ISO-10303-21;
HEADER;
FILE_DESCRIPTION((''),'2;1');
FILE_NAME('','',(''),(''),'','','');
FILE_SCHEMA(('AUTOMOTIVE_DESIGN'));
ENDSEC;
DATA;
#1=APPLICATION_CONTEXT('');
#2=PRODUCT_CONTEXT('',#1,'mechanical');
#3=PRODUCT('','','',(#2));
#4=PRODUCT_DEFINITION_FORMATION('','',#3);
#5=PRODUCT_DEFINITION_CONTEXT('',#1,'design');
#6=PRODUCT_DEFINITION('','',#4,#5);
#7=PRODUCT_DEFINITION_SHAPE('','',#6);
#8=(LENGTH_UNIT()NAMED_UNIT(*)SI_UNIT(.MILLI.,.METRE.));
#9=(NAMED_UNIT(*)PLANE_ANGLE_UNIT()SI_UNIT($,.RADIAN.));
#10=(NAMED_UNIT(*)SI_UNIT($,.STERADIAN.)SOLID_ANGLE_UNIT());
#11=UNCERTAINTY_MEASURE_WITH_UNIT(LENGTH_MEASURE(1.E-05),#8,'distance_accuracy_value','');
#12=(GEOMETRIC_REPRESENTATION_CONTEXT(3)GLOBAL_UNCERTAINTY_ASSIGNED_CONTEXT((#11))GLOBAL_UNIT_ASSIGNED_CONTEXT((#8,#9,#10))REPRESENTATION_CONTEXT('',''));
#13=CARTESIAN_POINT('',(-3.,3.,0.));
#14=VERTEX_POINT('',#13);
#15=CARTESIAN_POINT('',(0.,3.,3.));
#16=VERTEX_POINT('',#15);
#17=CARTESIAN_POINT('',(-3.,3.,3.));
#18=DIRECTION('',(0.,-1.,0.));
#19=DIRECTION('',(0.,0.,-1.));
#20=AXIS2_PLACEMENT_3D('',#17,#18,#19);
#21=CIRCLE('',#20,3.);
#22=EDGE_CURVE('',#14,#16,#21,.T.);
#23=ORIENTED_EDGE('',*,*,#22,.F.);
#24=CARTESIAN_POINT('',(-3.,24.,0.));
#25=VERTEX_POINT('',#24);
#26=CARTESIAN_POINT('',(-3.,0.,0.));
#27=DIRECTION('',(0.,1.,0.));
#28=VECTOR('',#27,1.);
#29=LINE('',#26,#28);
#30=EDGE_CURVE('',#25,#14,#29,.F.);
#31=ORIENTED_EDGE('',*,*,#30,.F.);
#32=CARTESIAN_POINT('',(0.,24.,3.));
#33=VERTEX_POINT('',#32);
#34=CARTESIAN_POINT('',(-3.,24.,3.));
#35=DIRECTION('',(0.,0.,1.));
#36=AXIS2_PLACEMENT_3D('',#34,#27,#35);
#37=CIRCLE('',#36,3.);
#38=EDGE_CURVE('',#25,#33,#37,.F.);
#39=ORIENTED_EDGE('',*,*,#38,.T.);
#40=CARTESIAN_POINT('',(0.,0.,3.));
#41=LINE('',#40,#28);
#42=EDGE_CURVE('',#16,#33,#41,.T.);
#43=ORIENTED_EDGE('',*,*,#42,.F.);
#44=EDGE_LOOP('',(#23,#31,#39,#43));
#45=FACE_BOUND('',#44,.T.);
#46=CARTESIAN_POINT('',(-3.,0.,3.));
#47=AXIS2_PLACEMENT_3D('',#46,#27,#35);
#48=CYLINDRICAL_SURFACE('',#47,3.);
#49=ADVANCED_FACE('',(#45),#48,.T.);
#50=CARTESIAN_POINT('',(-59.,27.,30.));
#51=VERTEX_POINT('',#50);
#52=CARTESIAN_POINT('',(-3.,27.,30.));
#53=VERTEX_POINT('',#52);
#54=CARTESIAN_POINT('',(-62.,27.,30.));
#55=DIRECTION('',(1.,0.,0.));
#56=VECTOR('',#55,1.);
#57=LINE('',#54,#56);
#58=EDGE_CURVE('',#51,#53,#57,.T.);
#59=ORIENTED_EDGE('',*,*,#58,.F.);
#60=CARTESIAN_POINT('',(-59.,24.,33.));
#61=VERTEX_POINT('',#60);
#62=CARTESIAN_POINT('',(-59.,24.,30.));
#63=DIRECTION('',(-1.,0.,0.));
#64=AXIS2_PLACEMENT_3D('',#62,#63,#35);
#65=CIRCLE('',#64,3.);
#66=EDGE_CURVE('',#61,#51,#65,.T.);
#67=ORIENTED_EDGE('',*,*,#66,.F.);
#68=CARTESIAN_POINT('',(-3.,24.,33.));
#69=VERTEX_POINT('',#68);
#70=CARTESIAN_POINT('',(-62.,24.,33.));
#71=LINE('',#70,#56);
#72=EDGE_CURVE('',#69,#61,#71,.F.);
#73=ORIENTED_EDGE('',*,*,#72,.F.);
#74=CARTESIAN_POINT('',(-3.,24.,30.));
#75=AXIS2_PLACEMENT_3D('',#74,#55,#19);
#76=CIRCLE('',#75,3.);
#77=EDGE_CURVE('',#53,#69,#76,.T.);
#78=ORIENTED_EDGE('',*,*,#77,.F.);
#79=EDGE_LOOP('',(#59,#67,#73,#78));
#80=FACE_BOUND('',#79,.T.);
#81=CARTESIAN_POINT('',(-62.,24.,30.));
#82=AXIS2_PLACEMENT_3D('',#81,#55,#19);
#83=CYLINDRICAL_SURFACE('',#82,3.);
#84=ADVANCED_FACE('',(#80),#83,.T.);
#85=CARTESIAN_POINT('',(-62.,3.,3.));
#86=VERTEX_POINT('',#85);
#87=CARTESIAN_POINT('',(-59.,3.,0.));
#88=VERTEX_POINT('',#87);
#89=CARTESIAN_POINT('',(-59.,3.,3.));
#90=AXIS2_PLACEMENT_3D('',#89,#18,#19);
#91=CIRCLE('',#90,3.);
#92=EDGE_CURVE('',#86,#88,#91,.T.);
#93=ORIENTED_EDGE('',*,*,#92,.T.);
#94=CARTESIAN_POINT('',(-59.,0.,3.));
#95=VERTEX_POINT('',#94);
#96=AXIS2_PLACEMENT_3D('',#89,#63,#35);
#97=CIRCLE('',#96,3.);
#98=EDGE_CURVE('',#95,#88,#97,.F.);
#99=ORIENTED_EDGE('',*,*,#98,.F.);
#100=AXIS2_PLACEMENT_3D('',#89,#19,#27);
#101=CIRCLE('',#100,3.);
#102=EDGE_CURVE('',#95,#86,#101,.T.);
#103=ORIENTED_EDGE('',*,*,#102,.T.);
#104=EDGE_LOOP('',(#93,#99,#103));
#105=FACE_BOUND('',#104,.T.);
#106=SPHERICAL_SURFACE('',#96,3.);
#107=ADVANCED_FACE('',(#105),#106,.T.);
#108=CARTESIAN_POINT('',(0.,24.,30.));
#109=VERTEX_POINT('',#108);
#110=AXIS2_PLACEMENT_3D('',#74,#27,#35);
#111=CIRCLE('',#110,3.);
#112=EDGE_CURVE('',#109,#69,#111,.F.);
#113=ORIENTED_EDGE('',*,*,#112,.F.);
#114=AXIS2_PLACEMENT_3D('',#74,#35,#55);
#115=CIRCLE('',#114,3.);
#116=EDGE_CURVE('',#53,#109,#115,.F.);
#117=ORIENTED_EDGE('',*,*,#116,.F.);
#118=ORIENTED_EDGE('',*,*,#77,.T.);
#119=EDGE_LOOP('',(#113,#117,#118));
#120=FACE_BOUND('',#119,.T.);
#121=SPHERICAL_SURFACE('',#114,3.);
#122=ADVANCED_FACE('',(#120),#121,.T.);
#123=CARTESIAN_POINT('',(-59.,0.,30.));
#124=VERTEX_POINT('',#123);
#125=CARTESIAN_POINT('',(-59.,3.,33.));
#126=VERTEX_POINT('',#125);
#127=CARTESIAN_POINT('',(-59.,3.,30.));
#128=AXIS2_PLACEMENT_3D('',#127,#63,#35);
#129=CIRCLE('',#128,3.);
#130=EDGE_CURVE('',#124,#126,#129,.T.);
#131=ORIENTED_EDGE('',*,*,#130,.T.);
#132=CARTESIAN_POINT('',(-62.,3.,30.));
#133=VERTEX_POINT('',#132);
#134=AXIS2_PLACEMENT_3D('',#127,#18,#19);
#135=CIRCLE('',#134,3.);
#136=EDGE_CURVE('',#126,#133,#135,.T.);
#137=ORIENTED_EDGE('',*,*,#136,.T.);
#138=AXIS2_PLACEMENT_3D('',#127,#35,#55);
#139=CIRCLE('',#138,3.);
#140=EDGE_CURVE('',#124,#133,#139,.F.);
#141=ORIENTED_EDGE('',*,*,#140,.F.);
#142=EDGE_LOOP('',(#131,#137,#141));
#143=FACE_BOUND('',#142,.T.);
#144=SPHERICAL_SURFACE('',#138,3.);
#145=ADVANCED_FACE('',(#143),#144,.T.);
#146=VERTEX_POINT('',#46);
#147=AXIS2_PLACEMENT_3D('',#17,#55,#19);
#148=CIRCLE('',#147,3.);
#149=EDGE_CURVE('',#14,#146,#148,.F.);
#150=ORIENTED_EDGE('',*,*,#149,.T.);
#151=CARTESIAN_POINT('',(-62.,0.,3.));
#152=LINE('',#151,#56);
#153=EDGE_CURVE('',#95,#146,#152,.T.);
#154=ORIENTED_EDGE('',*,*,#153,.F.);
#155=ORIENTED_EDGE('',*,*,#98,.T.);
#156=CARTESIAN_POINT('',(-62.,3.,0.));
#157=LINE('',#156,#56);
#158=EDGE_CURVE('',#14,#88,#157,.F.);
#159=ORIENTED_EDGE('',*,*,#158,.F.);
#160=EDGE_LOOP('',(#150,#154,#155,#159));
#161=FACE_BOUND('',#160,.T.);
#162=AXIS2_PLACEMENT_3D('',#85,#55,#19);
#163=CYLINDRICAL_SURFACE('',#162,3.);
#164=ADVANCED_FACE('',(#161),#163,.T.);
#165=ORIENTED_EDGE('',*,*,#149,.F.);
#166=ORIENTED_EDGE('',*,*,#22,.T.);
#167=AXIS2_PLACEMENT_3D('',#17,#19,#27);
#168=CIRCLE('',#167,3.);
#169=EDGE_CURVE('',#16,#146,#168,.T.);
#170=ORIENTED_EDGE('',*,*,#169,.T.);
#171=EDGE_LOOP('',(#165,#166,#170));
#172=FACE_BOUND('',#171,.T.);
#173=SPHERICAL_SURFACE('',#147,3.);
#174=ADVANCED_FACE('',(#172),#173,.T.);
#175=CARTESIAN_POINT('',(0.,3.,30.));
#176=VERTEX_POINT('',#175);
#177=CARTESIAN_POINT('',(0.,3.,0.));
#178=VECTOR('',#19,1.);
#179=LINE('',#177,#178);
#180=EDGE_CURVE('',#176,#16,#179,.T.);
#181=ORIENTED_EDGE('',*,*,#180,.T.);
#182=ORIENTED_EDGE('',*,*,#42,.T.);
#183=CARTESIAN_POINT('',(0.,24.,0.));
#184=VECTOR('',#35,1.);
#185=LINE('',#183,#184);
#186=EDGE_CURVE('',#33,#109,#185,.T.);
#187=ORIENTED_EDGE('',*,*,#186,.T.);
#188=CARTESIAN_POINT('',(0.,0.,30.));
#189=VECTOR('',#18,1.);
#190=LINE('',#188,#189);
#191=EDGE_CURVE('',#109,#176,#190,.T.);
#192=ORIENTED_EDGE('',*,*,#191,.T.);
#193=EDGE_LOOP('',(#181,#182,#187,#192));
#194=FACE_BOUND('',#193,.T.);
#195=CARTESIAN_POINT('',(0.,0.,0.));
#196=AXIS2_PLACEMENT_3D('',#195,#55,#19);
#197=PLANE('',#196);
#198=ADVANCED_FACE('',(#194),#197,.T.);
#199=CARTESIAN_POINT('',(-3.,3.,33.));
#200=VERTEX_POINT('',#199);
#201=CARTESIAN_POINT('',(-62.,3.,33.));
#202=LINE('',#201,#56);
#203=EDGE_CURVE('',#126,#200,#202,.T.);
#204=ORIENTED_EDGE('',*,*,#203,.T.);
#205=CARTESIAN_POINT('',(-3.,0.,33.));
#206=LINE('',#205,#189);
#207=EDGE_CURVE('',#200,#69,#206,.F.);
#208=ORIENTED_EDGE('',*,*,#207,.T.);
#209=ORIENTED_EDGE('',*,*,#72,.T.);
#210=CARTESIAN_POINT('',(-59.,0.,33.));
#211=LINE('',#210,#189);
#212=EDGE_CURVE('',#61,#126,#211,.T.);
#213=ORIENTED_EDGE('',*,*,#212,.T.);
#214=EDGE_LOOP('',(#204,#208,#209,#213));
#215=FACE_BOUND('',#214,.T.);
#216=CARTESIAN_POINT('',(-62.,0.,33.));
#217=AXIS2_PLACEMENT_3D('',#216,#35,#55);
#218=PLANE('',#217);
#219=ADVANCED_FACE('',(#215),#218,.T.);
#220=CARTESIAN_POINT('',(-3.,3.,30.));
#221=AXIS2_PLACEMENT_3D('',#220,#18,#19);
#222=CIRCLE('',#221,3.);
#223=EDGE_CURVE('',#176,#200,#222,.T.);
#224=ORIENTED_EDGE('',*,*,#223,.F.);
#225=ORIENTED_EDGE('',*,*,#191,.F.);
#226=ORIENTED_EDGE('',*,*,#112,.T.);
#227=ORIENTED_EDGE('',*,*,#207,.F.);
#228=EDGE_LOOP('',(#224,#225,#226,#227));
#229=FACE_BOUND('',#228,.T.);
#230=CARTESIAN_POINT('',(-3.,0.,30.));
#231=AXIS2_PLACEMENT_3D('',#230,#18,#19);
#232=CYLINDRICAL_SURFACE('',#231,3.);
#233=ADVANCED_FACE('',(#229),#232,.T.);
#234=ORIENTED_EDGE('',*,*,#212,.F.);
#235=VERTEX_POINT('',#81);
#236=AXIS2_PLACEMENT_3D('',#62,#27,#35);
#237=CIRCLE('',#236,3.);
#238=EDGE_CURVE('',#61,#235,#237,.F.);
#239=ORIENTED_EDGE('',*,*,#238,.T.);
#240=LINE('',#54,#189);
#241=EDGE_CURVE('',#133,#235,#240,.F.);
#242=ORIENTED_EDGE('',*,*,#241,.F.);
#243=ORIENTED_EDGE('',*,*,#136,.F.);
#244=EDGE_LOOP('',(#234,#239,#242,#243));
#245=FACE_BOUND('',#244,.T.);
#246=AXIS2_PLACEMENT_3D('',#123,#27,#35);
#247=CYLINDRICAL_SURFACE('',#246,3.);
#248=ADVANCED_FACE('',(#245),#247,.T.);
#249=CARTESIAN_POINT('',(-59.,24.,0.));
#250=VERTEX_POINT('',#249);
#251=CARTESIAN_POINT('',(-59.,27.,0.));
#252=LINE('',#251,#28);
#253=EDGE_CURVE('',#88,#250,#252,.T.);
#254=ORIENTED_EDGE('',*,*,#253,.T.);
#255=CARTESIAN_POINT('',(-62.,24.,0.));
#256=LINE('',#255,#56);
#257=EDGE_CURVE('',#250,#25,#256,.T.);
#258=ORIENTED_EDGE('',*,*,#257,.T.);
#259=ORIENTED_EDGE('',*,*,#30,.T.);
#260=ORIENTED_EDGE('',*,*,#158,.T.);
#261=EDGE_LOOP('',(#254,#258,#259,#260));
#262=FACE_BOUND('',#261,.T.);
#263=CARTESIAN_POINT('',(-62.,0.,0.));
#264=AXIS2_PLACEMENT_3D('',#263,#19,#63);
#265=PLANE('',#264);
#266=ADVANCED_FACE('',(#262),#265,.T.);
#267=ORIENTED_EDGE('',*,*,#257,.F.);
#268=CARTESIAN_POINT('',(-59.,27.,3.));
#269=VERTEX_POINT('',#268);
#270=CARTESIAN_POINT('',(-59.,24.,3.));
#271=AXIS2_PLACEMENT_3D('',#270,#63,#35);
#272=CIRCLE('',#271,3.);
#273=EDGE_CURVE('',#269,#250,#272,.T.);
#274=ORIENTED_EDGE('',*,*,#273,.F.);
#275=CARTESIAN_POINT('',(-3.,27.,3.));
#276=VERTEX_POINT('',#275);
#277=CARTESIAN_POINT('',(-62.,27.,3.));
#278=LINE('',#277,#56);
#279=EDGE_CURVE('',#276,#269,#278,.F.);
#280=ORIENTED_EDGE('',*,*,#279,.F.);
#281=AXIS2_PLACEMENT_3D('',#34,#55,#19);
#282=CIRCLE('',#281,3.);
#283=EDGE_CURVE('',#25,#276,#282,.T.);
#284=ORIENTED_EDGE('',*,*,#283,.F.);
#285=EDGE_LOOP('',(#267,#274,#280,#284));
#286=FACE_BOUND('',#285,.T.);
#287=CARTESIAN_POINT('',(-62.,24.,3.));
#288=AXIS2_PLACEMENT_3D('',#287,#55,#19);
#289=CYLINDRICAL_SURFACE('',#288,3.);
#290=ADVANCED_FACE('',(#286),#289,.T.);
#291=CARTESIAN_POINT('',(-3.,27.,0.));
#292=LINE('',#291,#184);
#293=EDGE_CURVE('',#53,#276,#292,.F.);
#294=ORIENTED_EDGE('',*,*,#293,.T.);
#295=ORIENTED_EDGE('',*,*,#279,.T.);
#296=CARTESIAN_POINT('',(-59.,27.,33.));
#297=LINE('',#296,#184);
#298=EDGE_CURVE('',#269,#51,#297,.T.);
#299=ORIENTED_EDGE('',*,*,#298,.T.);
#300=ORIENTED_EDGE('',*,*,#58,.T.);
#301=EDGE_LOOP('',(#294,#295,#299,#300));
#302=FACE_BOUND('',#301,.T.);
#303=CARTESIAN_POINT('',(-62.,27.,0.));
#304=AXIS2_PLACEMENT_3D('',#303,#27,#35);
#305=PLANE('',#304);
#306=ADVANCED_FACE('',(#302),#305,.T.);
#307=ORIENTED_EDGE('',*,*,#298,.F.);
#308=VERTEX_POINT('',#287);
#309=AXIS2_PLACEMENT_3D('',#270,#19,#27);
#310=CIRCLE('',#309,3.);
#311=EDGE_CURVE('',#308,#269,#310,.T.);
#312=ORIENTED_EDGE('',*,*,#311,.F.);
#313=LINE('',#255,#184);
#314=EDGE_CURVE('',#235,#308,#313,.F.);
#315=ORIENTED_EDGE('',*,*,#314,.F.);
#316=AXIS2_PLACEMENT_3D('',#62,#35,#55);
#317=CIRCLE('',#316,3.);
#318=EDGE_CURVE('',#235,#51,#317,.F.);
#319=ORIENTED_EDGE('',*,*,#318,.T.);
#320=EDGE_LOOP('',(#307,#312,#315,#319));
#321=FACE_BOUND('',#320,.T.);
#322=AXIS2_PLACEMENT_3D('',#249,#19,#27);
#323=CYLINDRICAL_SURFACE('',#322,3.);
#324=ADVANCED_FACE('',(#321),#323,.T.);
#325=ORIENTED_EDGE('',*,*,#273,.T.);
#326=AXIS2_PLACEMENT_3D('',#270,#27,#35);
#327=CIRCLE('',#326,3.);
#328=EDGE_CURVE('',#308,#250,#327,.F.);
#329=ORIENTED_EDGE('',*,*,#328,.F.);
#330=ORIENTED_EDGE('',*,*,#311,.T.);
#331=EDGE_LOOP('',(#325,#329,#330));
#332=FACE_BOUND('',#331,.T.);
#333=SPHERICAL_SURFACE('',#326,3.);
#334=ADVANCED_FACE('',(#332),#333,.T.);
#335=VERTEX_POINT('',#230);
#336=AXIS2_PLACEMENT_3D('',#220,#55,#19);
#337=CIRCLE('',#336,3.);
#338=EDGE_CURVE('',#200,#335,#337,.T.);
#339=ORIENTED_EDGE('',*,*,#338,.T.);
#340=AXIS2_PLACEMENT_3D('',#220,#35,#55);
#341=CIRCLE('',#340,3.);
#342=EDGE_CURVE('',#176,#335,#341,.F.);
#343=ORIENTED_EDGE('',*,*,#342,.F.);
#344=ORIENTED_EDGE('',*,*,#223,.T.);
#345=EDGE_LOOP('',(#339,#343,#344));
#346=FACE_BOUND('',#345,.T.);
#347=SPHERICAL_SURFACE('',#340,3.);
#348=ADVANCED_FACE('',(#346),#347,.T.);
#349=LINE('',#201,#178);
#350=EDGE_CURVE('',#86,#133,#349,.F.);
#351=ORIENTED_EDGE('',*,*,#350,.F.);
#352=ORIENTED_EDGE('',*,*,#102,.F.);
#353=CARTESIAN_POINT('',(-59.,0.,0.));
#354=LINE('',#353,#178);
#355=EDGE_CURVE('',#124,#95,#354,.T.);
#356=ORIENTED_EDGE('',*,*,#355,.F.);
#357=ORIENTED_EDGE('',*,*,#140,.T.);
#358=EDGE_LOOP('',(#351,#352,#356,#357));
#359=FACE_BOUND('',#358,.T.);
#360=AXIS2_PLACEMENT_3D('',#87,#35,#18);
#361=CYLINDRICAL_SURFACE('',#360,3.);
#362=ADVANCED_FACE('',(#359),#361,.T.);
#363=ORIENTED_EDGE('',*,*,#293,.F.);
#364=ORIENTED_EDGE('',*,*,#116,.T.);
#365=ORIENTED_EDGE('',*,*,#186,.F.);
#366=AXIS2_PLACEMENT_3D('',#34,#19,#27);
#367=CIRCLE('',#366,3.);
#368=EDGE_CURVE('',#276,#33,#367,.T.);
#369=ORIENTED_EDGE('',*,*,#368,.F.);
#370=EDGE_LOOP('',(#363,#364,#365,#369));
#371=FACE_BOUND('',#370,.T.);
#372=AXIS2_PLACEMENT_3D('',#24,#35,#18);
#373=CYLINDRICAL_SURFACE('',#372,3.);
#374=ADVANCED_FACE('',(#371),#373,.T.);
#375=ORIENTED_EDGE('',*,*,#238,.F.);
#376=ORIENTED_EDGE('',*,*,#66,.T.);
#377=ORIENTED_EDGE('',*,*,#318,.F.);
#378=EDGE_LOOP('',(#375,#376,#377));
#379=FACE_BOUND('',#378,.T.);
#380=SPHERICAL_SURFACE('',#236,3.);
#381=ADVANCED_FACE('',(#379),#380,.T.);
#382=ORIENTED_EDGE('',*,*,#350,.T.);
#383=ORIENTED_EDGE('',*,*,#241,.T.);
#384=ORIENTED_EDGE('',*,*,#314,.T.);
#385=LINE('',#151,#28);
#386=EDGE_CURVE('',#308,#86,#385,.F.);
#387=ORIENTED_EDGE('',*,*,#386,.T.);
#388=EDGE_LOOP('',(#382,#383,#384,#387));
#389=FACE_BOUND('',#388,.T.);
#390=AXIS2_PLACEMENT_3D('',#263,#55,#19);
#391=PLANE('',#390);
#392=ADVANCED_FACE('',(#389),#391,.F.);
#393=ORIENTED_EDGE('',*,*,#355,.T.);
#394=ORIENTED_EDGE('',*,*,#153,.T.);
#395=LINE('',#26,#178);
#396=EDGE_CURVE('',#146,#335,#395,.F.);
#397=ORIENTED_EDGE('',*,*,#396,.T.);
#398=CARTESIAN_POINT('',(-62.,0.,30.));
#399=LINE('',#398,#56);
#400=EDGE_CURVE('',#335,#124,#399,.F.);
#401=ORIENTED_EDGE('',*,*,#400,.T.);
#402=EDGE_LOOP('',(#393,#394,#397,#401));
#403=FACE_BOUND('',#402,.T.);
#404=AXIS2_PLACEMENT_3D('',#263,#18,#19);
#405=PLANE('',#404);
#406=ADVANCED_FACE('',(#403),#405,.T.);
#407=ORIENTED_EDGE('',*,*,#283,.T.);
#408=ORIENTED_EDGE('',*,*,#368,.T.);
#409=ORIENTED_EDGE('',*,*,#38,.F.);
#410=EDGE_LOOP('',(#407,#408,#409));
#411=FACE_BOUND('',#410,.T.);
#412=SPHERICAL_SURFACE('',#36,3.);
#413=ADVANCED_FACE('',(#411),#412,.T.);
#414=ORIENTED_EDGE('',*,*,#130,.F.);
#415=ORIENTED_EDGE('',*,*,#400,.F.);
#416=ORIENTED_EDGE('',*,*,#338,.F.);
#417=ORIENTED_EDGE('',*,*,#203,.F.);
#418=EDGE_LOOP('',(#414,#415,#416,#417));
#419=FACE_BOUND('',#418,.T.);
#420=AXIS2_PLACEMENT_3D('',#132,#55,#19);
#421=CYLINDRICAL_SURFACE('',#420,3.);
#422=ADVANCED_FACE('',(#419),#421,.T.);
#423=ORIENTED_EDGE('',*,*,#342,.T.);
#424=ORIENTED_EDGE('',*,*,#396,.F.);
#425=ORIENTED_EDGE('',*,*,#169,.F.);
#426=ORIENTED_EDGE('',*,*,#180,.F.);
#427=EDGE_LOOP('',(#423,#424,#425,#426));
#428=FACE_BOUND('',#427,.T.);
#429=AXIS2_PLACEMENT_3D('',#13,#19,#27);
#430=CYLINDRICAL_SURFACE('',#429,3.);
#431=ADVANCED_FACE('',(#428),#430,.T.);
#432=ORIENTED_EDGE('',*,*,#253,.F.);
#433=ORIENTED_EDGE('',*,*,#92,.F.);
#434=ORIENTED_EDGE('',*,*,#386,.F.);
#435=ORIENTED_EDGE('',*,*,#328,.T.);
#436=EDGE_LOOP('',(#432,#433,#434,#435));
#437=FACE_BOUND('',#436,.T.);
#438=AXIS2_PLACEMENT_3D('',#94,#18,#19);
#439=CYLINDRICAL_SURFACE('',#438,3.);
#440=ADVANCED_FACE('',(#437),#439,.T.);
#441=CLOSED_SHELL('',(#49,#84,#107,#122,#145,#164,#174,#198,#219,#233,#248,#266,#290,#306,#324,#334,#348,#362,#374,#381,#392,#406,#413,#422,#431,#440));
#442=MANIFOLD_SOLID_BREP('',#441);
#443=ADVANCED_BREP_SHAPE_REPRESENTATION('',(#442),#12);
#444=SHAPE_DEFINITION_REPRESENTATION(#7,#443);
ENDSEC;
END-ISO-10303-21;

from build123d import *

# Parameters (mm, degrees)
SKETCH1_W           = 33
SKETCH1_H           = 27
BOSS_EXTRUDE1_DEPTH = 62
FILLET1_R           = 3


with BuildPart() as part:
    # Sketch1 → Boss-Extrude1 (new body)
    with BuildSketch(Plane(origin=(0, 0, 0), x_dir=(0, 0, -1), z_dir=(1, 0, 0))):
        with Locations((-16.5, 13.5)):
            Rectangle(SKETCH1_W, SKETCH1_H)
    extrude(amount=-BOSS_EXTRUDE1_DEPTH)

    # Fillet1
    fillet1_edges = [part.edges().sort_by_distance(p)[0] for p in [
        (-62, 13.5, 33),
        (-62, 0, 16.5),
        (-62, 13.5, 0),
        (0, 0, 16.5),
        (0, 13.5, 33),
        (0, 27, 16.5),
        (0, 13.5, 0),
        (-31, 0, 0),
        (-31, 0, 33),
        (-31, 27, 33),
        (-31, 27, 0),
        (-62, 27, 16.5),
    ]]
    fillet(fillet1_edges, radius=FILLET1_R)


solid = part.part
